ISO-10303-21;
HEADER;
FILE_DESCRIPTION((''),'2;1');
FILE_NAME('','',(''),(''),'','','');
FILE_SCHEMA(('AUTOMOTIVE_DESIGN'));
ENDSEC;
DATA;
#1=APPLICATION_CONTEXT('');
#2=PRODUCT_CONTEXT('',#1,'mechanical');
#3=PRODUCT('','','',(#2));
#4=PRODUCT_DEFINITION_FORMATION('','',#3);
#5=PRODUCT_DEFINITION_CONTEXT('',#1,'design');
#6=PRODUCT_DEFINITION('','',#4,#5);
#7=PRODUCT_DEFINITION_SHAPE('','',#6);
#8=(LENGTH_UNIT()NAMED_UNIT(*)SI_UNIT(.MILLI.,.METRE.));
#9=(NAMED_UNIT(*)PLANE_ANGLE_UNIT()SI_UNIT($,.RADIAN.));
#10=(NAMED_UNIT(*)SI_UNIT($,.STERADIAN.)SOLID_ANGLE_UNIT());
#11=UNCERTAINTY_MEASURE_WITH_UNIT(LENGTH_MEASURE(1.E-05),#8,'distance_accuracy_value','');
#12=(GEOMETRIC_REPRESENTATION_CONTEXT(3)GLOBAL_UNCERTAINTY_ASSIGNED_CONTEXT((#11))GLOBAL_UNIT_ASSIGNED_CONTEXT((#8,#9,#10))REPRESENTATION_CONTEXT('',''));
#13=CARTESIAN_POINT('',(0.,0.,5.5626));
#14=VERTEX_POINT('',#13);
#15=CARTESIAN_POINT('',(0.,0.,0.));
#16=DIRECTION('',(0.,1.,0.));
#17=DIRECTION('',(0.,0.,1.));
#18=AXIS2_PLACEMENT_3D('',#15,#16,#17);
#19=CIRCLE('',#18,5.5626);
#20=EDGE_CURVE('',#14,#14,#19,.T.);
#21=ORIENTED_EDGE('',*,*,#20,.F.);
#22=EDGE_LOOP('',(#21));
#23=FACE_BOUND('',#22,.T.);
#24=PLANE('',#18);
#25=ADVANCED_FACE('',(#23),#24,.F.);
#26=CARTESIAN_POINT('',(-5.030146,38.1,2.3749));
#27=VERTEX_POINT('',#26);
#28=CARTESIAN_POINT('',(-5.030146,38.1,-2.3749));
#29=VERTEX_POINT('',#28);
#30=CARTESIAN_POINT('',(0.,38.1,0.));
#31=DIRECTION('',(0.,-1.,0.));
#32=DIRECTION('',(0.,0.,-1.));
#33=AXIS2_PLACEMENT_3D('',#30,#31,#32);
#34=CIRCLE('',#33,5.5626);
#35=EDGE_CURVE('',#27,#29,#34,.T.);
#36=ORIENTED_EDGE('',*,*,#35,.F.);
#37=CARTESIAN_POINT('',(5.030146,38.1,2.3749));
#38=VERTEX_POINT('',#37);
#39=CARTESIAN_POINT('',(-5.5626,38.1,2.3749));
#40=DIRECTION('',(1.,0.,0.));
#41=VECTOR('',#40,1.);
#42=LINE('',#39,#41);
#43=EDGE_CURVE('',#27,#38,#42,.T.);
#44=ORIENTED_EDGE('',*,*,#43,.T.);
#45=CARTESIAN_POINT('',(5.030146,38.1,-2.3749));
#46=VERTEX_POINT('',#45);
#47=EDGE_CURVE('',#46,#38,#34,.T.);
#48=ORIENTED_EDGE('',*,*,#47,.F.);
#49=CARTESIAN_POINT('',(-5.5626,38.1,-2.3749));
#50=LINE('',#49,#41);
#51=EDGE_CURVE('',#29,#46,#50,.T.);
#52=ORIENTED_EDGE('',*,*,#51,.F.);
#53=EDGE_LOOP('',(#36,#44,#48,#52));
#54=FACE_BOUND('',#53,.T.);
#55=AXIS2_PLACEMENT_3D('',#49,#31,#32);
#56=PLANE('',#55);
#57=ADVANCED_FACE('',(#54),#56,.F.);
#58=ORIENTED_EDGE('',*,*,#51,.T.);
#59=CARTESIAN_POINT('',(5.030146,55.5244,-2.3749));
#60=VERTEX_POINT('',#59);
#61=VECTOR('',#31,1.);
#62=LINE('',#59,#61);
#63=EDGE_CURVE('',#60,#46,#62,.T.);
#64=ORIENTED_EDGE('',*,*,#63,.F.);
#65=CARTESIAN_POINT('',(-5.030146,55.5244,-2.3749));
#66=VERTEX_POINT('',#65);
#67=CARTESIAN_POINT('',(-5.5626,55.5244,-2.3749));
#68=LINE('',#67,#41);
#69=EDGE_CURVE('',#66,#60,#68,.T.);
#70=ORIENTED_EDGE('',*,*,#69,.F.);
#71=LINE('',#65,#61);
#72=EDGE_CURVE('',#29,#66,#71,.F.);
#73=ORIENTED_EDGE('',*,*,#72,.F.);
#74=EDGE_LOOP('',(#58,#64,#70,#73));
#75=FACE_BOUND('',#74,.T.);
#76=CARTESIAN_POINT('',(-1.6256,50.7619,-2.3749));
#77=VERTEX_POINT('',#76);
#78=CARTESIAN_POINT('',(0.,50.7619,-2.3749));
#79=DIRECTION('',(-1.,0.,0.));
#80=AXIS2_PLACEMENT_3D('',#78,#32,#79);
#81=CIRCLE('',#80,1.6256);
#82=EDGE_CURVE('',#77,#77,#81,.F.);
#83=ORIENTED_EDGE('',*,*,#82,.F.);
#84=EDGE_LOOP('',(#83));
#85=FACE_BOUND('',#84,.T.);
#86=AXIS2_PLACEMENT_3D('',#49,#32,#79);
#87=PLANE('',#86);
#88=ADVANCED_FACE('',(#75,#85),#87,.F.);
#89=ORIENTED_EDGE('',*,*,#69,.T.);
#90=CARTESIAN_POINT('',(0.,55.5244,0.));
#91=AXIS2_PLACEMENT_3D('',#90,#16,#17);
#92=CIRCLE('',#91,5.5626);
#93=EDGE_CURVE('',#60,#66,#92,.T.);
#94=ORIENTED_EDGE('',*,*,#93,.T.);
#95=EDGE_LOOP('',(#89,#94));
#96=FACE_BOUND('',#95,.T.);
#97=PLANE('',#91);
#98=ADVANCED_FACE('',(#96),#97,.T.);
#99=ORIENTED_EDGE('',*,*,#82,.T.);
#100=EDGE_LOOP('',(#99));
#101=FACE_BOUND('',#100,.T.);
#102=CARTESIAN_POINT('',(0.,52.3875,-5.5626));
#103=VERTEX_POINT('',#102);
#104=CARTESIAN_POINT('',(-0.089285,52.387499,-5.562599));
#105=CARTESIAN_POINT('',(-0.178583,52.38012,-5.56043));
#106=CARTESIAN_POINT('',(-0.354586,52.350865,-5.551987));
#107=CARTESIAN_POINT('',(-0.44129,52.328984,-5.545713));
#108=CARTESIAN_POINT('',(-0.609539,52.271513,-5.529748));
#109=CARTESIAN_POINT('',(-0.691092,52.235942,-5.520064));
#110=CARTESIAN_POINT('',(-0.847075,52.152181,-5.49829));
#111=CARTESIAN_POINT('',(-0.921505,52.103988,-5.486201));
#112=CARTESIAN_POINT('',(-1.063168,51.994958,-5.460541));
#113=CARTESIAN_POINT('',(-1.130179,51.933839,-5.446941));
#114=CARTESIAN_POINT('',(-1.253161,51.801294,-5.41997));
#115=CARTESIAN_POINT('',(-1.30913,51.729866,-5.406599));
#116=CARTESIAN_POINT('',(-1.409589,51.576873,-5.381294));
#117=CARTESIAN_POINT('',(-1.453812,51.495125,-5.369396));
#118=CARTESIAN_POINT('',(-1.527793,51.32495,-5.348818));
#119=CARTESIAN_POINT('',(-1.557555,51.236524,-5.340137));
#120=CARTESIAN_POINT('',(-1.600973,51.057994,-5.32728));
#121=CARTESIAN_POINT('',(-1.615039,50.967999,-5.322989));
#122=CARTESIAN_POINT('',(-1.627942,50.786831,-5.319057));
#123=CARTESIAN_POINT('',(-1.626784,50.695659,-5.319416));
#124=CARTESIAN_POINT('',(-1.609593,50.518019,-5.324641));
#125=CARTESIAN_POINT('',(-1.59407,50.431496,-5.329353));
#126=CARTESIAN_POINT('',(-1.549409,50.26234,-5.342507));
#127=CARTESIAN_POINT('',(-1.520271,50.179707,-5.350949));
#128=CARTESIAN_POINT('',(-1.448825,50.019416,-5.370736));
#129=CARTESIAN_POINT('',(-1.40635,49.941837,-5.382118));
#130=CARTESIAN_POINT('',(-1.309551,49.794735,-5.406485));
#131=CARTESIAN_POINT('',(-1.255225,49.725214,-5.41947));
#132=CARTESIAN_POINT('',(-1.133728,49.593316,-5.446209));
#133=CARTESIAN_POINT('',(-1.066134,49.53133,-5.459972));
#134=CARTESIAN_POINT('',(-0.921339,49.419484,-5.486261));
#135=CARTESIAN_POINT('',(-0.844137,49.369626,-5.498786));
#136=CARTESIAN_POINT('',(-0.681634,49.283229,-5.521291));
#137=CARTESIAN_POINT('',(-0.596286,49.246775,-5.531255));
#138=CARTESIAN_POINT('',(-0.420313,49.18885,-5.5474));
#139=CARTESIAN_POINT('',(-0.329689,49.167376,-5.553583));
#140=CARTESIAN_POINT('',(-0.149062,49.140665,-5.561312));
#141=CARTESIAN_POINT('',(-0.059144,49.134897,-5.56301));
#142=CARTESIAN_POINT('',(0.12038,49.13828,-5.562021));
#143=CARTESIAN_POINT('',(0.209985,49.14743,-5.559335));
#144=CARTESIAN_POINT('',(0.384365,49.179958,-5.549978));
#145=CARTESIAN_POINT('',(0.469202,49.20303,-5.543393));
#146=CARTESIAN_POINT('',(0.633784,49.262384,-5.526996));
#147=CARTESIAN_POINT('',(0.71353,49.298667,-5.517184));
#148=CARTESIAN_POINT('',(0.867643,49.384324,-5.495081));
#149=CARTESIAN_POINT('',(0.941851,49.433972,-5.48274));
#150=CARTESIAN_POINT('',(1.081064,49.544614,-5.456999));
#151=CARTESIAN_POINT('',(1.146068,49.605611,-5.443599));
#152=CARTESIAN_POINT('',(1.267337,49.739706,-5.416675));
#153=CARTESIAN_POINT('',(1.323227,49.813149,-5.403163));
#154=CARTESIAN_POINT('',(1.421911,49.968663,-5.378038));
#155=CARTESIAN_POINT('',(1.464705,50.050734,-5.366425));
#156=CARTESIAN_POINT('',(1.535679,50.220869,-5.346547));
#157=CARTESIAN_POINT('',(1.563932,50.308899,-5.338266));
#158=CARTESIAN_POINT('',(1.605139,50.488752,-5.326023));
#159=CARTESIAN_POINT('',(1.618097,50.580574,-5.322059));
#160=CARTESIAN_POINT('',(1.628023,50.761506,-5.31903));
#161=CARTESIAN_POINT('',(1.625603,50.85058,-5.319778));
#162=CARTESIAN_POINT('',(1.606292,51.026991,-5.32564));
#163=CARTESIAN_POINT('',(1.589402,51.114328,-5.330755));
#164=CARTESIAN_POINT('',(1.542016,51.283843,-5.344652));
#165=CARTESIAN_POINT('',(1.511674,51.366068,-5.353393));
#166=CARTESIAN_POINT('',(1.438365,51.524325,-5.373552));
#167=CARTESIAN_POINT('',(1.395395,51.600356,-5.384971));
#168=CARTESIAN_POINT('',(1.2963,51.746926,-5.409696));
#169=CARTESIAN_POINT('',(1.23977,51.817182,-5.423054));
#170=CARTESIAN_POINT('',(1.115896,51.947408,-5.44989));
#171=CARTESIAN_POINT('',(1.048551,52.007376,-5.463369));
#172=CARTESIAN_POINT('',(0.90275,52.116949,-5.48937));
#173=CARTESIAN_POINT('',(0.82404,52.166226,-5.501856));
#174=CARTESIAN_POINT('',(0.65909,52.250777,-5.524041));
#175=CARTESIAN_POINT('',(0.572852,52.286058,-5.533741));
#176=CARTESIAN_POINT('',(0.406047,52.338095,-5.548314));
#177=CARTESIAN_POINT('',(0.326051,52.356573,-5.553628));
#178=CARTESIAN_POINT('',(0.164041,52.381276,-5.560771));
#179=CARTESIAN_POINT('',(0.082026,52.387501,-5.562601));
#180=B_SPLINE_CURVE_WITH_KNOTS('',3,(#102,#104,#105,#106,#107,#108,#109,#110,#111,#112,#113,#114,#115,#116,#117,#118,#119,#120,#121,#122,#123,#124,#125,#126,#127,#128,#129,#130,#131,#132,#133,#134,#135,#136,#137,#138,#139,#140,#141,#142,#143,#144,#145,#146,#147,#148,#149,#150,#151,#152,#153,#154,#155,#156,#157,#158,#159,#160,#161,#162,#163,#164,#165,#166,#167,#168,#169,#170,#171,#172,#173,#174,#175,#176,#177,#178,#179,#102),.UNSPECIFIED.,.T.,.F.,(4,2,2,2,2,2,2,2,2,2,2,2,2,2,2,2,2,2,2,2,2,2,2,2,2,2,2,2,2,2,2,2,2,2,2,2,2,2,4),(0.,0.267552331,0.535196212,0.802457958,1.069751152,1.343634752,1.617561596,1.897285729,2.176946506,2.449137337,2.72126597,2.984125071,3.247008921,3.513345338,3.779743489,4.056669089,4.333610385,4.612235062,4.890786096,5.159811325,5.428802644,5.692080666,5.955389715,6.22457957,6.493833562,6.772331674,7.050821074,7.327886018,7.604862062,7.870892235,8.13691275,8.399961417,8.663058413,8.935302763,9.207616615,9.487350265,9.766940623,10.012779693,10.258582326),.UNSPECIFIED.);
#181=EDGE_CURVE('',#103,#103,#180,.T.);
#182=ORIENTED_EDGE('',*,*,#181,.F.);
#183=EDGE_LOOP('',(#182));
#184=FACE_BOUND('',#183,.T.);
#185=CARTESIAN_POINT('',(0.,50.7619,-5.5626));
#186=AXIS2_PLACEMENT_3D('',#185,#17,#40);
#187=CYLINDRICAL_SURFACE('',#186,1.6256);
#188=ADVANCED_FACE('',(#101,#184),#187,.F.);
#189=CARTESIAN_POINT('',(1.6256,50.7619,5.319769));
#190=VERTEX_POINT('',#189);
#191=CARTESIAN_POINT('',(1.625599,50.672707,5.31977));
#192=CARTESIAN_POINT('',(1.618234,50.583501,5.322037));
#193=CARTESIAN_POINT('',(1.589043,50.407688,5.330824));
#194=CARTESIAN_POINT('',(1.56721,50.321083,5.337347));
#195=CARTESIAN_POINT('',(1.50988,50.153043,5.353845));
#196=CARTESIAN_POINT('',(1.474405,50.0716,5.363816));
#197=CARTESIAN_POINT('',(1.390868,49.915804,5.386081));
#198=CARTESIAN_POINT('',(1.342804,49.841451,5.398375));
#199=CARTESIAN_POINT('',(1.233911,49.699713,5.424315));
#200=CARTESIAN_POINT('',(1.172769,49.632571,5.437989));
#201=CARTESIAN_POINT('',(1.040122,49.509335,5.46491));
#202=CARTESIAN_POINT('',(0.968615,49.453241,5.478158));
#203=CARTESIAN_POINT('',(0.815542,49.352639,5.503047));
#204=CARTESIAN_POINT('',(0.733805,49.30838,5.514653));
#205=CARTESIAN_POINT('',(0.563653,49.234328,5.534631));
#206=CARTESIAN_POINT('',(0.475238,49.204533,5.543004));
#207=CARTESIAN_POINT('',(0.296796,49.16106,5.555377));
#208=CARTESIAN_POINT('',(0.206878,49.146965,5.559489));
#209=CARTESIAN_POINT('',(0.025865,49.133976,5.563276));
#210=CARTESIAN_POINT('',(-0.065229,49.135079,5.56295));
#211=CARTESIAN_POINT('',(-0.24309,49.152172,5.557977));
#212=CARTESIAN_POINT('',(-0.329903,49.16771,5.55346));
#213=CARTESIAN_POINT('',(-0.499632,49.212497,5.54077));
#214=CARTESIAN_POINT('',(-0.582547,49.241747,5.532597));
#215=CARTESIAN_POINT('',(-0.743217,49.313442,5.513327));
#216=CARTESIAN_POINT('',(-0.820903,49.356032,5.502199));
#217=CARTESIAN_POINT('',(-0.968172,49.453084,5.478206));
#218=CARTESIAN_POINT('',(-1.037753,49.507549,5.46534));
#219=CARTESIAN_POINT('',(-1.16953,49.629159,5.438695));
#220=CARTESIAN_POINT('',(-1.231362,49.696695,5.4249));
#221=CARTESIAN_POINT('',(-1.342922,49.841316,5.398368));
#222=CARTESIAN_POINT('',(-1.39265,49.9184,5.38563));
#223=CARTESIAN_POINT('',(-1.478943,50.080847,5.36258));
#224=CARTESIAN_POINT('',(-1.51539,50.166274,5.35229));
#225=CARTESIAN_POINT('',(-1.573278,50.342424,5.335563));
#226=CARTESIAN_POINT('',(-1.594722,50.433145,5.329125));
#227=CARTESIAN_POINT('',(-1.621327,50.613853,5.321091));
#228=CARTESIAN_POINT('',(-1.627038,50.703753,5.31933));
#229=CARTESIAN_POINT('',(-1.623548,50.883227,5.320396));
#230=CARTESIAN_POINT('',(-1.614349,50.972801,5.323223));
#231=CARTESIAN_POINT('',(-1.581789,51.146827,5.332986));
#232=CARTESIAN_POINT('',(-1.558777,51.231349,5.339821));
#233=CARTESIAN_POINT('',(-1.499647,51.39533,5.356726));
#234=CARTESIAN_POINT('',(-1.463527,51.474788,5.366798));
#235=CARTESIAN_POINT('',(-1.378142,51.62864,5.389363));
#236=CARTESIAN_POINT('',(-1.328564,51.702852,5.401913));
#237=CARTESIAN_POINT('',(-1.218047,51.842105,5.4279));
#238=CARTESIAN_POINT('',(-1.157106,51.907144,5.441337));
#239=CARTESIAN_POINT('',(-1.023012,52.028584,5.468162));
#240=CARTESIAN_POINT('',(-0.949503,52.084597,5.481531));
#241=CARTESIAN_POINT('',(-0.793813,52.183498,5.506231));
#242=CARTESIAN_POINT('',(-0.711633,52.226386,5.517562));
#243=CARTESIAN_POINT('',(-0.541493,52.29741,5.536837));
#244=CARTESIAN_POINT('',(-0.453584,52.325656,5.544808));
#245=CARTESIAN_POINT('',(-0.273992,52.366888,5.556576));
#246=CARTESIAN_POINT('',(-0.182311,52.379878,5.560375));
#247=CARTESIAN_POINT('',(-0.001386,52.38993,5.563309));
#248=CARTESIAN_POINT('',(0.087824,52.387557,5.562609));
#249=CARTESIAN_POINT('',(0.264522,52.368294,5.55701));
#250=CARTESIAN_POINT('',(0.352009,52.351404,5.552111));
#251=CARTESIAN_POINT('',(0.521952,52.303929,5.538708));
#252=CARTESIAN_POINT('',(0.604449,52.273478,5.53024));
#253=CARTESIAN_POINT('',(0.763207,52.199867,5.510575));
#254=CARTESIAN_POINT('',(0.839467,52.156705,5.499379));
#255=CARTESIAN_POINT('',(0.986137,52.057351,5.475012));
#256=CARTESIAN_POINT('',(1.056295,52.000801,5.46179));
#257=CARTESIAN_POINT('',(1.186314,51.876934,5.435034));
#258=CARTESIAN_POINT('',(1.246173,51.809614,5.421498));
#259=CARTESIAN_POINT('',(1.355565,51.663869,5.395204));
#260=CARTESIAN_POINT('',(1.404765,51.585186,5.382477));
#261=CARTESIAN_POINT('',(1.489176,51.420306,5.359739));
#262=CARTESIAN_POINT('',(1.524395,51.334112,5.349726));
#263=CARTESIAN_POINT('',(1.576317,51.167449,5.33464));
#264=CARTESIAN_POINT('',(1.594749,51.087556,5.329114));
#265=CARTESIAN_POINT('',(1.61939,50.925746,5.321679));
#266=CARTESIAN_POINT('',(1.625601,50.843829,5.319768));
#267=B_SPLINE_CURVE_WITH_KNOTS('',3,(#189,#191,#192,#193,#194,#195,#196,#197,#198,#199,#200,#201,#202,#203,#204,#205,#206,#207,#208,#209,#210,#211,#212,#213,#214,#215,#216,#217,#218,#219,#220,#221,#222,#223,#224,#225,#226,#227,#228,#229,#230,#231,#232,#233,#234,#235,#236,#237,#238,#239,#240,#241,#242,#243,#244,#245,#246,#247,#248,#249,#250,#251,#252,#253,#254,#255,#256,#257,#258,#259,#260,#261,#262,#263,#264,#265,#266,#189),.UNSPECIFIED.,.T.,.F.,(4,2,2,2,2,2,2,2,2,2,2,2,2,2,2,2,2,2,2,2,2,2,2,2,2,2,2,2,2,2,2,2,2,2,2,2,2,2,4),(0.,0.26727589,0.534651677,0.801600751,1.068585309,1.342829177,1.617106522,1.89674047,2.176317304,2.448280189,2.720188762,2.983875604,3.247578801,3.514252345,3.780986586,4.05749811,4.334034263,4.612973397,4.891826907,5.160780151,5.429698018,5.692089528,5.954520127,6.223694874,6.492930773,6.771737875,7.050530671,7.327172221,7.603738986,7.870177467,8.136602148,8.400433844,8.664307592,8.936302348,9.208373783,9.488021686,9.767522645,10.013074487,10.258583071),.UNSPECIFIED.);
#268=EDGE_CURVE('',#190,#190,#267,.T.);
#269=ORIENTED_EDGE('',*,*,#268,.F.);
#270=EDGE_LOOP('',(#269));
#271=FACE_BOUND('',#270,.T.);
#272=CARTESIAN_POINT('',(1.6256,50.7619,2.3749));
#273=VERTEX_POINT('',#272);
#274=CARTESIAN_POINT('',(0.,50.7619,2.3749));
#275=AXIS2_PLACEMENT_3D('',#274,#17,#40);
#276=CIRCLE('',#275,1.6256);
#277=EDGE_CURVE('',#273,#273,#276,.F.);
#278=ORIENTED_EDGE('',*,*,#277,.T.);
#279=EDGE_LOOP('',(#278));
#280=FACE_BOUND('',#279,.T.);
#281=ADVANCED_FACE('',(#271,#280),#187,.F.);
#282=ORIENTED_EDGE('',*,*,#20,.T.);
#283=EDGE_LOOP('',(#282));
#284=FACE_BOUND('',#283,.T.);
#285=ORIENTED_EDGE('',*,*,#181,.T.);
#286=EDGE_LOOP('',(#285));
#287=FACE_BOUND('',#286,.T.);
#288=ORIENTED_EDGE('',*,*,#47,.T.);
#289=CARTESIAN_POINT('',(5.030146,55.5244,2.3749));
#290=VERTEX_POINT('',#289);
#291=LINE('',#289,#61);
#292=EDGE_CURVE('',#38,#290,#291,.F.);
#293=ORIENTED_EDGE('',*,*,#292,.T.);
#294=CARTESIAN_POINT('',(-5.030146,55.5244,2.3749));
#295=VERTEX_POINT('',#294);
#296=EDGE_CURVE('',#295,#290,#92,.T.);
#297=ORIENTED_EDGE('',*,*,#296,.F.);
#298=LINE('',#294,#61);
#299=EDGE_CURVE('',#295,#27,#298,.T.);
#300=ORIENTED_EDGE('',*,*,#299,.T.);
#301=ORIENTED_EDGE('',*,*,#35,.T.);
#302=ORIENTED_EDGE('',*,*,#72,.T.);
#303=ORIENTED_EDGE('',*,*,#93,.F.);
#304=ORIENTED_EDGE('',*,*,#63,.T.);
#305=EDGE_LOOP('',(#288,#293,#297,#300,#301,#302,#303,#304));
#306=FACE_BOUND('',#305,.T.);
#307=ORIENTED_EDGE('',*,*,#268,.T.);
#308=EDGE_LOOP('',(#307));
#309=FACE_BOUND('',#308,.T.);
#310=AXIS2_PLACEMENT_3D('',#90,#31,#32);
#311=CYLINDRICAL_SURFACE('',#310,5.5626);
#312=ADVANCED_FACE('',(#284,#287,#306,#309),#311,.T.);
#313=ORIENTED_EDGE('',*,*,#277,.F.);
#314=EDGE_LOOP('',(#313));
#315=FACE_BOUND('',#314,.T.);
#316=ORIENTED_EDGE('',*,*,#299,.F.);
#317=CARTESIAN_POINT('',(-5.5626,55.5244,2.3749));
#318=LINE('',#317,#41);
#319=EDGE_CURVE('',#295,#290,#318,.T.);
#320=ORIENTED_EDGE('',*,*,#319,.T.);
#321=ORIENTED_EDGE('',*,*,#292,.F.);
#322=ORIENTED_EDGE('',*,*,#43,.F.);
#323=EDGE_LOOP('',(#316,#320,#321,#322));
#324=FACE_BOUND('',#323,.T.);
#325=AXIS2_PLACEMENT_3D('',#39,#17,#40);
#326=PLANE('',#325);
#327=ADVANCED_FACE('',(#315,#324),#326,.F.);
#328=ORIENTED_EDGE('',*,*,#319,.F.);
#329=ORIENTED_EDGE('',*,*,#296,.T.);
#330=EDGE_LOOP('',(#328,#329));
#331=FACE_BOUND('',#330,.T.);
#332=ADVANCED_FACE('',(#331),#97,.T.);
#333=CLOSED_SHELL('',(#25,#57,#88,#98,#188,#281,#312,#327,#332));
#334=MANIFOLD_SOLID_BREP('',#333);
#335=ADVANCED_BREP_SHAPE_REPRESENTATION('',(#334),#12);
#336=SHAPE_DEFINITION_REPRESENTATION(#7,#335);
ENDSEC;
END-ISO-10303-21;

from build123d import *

# Parameters (mm, degrees)
SKETCH1_R               = 5.5626
BOSS_EXTRUDE1_DEPTH     = 55.5244
CUT_EXTRUDE1_DEPTH      = 57.078908984
CUT_EXTRUDE1_DEPTH_BACK = 57.078908984
SKETCH2_R               = 1.6256
CUT_EXTRUDE2_DEPTH      = 57.078909103
CUT_EXTRUDE2_DEPTH_BACK = 57.078909103
SKETCH3_W               = 4.7498
SKETCH3_H               = 17.4244


with BuildPart() as part:
    # Sketch1 → Boss-Extrude1 (new body)
    with BuildSketch(Plane(origin=(0, 0, 0), x_dir=(1, 0, 0), z_dir=(0, 1, 0))):
        with Locations(Location((0, 0, 0), (0, 0, 90))):
            Circle(SKETCH1_R)
    extrude(amount=BOSS_EXTRUDE1_DEPTH)

    # Sketch2 → Cut-Extrude1 (cut, two sides: drawn at the far end of the back side and taken through both)
    with BuildSketch(Plane.XY.offset(-CUT_EXTRUDE1_DEPTH_BACK)):
        with Locations(Location((0, 50.7619, 0), (0, 0, 89.999999974))):
            Circle(SKETCH2_R)
    extrude(amount=CUT_EXTRUDE1_DEPTH + CUT_EXTRUDE1_DEPTH_BACK, mode=Mode.SUBTRACT)

    # Sketch3 → Cut-Extrude2 (cut, two sides: drawn at the far end of the back side and taken through both)
    with BuildSketch(Plane(origin=(0, 0, 0), x_dir=(0, 0, -1), z_dir=(1, 0, 0)).offset(-CUT_EXTRUDE2_DEPTH_BACK)):
        with Locations((0, 46.8122)):
            Rectangle(SKETCH3_W, SKETCH3_H)
    extrude(amount=CUT_EXTRUDE2_DEPTH + CUT_EXTRUDE2_DEPTH_BACK, mode=Mode.SUBTRACT)


solid = part.part
